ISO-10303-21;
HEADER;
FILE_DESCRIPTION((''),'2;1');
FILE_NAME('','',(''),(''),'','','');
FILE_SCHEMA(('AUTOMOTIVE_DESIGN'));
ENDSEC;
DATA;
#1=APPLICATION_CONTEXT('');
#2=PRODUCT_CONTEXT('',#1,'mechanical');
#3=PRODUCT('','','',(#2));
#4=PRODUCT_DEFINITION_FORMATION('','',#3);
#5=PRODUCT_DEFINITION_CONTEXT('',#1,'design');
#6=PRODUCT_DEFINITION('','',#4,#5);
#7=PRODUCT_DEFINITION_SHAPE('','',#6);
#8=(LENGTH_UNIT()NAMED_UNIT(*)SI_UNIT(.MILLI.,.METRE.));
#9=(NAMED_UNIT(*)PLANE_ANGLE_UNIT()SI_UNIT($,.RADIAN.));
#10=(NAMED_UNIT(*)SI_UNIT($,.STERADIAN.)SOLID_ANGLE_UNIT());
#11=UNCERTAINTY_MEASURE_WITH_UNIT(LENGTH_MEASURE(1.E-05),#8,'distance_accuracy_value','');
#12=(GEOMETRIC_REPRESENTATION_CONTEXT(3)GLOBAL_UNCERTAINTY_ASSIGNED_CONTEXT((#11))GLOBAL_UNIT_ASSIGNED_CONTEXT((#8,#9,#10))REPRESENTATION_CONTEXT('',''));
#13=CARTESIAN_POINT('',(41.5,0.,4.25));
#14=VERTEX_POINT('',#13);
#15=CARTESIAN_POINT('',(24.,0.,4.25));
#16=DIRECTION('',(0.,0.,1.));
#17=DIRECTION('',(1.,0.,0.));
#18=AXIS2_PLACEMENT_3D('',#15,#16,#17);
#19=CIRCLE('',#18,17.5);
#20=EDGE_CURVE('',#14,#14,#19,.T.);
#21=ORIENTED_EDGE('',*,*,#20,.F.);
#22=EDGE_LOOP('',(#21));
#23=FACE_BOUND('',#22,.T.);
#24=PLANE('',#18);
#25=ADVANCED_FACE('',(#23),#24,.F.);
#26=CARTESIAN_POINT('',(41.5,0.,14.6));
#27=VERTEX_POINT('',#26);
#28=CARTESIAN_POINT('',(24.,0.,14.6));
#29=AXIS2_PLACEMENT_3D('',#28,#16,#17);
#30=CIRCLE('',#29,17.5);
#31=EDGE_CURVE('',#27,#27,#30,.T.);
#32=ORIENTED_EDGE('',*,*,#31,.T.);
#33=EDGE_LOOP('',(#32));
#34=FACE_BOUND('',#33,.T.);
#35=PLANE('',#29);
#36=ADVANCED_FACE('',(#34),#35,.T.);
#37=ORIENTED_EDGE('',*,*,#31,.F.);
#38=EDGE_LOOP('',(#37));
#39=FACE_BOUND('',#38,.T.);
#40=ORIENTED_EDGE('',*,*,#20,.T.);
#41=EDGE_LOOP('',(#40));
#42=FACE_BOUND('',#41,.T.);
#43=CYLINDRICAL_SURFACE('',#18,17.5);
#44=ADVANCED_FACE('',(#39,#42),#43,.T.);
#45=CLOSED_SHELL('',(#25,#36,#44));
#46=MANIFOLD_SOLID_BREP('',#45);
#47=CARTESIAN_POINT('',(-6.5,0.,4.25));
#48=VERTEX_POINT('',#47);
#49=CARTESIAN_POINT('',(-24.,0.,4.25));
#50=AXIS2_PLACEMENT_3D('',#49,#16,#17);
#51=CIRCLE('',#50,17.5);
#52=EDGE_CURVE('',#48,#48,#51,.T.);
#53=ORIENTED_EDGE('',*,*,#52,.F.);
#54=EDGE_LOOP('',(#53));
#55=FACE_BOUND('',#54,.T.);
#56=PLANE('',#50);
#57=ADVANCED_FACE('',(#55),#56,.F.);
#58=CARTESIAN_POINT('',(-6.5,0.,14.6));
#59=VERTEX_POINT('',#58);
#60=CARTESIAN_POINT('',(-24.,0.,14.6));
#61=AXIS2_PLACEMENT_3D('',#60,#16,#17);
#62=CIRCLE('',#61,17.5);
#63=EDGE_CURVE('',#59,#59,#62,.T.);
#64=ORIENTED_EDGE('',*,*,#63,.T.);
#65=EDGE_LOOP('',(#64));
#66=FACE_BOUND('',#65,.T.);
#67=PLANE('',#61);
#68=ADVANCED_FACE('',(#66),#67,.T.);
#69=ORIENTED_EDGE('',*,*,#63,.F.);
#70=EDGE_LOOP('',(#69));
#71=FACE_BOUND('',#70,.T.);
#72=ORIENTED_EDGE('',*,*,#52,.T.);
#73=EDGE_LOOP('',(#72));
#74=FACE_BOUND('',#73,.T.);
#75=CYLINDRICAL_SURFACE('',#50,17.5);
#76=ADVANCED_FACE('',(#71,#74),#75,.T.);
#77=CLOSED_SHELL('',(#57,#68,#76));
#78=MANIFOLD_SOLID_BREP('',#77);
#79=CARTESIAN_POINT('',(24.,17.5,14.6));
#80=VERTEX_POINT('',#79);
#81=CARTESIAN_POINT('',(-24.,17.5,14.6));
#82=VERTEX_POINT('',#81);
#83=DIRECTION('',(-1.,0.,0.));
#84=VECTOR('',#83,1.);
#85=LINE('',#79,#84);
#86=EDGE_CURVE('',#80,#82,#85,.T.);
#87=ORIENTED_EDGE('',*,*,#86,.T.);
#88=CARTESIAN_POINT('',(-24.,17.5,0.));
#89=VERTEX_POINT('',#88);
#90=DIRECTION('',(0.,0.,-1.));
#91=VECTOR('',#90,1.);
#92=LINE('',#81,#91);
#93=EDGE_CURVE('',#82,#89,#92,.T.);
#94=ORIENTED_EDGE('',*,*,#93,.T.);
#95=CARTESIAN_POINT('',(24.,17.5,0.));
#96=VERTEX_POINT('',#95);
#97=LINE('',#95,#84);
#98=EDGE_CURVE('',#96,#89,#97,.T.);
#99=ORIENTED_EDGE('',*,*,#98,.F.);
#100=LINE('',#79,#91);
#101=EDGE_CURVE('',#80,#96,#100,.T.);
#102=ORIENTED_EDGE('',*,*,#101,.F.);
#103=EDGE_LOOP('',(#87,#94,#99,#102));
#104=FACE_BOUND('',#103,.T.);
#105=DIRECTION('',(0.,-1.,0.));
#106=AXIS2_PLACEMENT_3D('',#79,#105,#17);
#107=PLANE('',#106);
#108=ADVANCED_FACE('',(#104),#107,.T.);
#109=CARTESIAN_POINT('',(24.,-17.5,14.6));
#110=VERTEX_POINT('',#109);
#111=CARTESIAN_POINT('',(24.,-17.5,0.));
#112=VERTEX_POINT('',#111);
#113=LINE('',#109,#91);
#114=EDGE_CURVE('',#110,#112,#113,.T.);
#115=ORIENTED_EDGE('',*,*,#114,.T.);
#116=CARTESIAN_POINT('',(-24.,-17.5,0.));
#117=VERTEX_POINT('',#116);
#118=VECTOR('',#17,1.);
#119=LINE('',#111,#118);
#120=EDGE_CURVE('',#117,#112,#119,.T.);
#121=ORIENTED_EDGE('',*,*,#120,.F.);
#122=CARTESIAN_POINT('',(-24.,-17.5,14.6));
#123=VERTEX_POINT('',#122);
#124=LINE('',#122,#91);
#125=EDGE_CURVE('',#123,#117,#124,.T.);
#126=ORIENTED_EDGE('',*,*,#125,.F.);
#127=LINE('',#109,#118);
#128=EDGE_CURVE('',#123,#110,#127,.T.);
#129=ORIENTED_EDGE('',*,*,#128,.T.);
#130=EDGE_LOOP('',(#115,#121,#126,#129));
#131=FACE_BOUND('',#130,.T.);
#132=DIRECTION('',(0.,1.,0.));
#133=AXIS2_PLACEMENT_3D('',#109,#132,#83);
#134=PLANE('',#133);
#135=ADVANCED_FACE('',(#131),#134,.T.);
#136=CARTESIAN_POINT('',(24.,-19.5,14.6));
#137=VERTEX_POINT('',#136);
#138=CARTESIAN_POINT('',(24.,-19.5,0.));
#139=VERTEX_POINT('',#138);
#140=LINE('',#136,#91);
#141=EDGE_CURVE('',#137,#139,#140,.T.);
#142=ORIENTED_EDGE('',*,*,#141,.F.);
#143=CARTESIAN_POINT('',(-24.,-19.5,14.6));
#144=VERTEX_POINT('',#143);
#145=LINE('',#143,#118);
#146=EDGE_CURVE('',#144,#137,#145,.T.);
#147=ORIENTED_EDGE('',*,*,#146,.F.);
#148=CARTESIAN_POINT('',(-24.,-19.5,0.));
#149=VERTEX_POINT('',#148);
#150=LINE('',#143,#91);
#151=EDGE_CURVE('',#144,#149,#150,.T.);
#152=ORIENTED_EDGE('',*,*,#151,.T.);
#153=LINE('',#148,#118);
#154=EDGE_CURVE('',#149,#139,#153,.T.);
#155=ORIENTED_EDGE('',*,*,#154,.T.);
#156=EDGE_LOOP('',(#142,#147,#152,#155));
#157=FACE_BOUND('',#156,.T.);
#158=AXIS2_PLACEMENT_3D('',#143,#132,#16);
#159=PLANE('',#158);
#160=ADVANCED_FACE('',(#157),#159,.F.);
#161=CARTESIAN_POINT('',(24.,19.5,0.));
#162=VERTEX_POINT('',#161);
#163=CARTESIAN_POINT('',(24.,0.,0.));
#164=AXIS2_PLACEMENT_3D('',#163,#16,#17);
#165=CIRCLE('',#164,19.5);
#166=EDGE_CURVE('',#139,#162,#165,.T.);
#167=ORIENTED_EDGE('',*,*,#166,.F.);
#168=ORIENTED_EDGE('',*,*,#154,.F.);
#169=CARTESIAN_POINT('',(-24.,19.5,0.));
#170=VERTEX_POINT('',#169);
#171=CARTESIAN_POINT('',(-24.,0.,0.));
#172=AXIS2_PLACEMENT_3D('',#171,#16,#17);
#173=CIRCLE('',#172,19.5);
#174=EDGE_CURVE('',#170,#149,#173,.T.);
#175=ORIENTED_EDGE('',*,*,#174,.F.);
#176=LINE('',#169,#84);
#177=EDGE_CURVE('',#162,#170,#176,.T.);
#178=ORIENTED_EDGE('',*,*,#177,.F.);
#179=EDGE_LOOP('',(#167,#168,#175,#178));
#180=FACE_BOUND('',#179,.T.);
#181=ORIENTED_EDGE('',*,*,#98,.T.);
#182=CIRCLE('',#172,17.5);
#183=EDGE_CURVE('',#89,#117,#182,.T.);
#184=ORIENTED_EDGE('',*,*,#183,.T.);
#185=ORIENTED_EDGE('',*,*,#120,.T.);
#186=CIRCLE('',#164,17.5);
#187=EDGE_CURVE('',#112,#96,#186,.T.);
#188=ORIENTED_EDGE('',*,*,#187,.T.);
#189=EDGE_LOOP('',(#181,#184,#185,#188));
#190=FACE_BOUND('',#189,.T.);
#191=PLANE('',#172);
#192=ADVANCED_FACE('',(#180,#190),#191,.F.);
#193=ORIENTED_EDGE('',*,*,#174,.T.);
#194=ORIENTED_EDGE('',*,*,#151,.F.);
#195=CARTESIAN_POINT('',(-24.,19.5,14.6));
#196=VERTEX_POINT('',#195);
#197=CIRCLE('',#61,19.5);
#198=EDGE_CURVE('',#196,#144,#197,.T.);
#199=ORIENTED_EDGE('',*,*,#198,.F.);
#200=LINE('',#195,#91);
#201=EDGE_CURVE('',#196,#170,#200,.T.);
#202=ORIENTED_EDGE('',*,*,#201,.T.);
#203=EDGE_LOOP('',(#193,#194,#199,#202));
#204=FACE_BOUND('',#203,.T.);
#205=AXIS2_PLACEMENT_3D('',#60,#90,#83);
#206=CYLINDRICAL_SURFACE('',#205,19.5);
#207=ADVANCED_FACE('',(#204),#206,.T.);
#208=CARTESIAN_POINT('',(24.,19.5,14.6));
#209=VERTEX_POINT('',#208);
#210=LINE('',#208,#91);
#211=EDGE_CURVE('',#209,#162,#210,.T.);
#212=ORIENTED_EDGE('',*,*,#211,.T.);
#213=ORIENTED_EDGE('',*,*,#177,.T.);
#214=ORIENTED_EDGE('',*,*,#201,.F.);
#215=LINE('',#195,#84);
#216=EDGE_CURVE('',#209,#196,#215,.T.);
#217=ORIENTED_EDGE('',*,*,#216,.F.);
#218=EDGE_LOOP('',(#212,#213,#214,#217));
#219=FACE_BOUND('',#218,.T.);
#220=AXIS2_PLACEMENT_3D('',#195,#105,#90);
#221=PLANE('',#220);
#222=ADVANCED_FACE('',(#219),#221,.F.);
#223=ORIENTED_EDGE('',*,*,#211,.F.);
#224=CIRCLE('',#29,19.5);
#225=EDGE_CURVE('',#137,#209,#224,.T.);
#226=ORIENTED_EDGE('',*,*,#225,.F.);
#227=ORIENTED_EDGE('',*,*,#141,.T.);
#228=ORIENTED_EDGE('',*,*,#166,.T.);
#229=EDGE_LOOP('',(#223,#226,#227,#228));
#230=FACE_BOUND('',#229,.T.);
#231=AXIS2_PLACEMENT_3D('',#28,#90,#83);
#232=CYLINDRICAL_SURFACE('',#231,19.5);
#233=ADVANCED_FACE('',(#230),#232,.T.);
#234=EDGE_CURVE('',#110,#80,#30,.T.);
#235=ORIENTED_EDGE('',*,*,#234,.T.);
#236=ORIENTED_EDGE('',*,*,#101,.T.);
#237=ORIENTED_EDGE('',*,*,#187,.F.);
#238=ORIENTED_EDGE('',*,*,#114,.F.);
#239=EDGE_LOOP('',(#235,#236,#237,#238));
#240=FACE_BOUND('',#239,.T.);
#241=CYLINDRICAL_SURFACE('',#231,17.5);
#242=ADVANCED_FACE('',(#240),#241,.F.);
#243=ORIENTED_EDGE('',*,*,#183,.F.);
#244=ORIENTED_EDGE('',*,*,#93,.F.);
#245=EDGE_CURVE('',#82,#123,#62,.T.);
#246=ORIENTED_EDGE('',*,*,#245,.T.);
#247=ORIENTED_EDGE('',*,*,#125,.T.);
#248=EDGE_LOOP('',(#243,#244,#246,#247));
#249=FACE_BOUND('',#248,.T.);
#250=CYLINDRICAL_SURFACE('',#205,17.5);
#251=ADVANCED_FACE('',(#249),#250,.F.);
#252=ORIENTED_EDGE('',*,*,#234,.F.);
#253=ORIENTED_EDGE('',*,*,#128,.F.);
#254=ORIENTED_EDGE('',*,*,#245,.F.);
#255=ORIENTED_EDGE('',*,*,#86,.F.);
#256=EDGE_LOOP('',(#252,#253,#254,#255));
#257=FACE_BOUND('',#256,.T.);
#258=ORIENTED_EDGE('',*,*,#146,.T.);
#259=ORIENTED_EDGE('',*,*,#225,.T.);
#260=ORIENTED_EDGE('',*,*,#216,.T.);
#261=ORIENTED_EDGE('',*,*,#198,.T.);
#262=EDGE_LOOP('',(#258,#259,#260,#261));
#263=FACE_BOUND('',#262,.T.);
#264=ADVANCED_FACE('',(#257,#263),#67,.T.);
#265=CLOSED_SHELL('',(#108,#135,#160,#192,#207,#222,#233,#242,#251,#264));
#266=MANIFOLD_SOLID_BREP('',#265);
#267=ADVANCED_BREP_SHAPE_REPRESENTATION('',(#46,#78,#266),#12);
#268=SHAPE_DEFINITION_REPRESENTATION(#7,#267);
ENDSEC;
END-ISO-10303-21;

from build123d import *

# Parameters (mm, degrees)
BOSS_EXTRUDE1_DEPTH   = 14.6
SKETCH2_R             = 17.5
BOSS_EXTRUDE2_DEPTH   = 10.35
BOSS_EXTRUDE2_2_DEPTH = 10.35


with BuildPart() as part:
    # Sketch1 → Boss-Extrude1 (new body)
    with BuildSketch(Plane.XY):
        with BuildLine():
            Line((-24, 19.5), (24, 19.5))
            ThreePointArc((24, 19.5), (43.5, 0), (24, -19.5))
            Line((24, -19.5), (-24, -19.5))
            ThreePointArc((-24, -19.5), (-43.5, 0), (-24, 19.5))
        make_face()
        with BuildLine():
            Line((24, 17.5), (-24, 17.5))
            ThreePointArc((-24, 17.5), (-41.5, 0), (-24, -17.5))
            Line((-24, -17.5), (24, -17.5))
            ThreePointArc((24, -17.5), (41.5, 0), (24, 17.5))
        make_face(mode=Mode.SUBTRACT)
    extrude(amount=BOSS_EXTRUDE1_DEPTH)


with BuildPart() as body_2:
    # Sketch2 → Boss-Extrude2 (new body)
    with BuildSketch(Plane.XY.offset(14.6)):
        with Locations((-24, 0)):
            Circle(SKETCH2_R)
    extrude(amount=-BOSS_EXTRUDE2_DEPTH)


with BuildPart() as body_3:
    # Sketch2 → Boss-Extrude2 2 (new body)
    with BuildSketch(Plane.XY.offset(14.6)):
        with Locations((24, 0)):
            Circle(SKETCH2_R)
    extrude(amount=-BOSS_EXTRUDE2_2_DEPTH)


solid = Compound([part.part, body_2.part, body_3.part])
